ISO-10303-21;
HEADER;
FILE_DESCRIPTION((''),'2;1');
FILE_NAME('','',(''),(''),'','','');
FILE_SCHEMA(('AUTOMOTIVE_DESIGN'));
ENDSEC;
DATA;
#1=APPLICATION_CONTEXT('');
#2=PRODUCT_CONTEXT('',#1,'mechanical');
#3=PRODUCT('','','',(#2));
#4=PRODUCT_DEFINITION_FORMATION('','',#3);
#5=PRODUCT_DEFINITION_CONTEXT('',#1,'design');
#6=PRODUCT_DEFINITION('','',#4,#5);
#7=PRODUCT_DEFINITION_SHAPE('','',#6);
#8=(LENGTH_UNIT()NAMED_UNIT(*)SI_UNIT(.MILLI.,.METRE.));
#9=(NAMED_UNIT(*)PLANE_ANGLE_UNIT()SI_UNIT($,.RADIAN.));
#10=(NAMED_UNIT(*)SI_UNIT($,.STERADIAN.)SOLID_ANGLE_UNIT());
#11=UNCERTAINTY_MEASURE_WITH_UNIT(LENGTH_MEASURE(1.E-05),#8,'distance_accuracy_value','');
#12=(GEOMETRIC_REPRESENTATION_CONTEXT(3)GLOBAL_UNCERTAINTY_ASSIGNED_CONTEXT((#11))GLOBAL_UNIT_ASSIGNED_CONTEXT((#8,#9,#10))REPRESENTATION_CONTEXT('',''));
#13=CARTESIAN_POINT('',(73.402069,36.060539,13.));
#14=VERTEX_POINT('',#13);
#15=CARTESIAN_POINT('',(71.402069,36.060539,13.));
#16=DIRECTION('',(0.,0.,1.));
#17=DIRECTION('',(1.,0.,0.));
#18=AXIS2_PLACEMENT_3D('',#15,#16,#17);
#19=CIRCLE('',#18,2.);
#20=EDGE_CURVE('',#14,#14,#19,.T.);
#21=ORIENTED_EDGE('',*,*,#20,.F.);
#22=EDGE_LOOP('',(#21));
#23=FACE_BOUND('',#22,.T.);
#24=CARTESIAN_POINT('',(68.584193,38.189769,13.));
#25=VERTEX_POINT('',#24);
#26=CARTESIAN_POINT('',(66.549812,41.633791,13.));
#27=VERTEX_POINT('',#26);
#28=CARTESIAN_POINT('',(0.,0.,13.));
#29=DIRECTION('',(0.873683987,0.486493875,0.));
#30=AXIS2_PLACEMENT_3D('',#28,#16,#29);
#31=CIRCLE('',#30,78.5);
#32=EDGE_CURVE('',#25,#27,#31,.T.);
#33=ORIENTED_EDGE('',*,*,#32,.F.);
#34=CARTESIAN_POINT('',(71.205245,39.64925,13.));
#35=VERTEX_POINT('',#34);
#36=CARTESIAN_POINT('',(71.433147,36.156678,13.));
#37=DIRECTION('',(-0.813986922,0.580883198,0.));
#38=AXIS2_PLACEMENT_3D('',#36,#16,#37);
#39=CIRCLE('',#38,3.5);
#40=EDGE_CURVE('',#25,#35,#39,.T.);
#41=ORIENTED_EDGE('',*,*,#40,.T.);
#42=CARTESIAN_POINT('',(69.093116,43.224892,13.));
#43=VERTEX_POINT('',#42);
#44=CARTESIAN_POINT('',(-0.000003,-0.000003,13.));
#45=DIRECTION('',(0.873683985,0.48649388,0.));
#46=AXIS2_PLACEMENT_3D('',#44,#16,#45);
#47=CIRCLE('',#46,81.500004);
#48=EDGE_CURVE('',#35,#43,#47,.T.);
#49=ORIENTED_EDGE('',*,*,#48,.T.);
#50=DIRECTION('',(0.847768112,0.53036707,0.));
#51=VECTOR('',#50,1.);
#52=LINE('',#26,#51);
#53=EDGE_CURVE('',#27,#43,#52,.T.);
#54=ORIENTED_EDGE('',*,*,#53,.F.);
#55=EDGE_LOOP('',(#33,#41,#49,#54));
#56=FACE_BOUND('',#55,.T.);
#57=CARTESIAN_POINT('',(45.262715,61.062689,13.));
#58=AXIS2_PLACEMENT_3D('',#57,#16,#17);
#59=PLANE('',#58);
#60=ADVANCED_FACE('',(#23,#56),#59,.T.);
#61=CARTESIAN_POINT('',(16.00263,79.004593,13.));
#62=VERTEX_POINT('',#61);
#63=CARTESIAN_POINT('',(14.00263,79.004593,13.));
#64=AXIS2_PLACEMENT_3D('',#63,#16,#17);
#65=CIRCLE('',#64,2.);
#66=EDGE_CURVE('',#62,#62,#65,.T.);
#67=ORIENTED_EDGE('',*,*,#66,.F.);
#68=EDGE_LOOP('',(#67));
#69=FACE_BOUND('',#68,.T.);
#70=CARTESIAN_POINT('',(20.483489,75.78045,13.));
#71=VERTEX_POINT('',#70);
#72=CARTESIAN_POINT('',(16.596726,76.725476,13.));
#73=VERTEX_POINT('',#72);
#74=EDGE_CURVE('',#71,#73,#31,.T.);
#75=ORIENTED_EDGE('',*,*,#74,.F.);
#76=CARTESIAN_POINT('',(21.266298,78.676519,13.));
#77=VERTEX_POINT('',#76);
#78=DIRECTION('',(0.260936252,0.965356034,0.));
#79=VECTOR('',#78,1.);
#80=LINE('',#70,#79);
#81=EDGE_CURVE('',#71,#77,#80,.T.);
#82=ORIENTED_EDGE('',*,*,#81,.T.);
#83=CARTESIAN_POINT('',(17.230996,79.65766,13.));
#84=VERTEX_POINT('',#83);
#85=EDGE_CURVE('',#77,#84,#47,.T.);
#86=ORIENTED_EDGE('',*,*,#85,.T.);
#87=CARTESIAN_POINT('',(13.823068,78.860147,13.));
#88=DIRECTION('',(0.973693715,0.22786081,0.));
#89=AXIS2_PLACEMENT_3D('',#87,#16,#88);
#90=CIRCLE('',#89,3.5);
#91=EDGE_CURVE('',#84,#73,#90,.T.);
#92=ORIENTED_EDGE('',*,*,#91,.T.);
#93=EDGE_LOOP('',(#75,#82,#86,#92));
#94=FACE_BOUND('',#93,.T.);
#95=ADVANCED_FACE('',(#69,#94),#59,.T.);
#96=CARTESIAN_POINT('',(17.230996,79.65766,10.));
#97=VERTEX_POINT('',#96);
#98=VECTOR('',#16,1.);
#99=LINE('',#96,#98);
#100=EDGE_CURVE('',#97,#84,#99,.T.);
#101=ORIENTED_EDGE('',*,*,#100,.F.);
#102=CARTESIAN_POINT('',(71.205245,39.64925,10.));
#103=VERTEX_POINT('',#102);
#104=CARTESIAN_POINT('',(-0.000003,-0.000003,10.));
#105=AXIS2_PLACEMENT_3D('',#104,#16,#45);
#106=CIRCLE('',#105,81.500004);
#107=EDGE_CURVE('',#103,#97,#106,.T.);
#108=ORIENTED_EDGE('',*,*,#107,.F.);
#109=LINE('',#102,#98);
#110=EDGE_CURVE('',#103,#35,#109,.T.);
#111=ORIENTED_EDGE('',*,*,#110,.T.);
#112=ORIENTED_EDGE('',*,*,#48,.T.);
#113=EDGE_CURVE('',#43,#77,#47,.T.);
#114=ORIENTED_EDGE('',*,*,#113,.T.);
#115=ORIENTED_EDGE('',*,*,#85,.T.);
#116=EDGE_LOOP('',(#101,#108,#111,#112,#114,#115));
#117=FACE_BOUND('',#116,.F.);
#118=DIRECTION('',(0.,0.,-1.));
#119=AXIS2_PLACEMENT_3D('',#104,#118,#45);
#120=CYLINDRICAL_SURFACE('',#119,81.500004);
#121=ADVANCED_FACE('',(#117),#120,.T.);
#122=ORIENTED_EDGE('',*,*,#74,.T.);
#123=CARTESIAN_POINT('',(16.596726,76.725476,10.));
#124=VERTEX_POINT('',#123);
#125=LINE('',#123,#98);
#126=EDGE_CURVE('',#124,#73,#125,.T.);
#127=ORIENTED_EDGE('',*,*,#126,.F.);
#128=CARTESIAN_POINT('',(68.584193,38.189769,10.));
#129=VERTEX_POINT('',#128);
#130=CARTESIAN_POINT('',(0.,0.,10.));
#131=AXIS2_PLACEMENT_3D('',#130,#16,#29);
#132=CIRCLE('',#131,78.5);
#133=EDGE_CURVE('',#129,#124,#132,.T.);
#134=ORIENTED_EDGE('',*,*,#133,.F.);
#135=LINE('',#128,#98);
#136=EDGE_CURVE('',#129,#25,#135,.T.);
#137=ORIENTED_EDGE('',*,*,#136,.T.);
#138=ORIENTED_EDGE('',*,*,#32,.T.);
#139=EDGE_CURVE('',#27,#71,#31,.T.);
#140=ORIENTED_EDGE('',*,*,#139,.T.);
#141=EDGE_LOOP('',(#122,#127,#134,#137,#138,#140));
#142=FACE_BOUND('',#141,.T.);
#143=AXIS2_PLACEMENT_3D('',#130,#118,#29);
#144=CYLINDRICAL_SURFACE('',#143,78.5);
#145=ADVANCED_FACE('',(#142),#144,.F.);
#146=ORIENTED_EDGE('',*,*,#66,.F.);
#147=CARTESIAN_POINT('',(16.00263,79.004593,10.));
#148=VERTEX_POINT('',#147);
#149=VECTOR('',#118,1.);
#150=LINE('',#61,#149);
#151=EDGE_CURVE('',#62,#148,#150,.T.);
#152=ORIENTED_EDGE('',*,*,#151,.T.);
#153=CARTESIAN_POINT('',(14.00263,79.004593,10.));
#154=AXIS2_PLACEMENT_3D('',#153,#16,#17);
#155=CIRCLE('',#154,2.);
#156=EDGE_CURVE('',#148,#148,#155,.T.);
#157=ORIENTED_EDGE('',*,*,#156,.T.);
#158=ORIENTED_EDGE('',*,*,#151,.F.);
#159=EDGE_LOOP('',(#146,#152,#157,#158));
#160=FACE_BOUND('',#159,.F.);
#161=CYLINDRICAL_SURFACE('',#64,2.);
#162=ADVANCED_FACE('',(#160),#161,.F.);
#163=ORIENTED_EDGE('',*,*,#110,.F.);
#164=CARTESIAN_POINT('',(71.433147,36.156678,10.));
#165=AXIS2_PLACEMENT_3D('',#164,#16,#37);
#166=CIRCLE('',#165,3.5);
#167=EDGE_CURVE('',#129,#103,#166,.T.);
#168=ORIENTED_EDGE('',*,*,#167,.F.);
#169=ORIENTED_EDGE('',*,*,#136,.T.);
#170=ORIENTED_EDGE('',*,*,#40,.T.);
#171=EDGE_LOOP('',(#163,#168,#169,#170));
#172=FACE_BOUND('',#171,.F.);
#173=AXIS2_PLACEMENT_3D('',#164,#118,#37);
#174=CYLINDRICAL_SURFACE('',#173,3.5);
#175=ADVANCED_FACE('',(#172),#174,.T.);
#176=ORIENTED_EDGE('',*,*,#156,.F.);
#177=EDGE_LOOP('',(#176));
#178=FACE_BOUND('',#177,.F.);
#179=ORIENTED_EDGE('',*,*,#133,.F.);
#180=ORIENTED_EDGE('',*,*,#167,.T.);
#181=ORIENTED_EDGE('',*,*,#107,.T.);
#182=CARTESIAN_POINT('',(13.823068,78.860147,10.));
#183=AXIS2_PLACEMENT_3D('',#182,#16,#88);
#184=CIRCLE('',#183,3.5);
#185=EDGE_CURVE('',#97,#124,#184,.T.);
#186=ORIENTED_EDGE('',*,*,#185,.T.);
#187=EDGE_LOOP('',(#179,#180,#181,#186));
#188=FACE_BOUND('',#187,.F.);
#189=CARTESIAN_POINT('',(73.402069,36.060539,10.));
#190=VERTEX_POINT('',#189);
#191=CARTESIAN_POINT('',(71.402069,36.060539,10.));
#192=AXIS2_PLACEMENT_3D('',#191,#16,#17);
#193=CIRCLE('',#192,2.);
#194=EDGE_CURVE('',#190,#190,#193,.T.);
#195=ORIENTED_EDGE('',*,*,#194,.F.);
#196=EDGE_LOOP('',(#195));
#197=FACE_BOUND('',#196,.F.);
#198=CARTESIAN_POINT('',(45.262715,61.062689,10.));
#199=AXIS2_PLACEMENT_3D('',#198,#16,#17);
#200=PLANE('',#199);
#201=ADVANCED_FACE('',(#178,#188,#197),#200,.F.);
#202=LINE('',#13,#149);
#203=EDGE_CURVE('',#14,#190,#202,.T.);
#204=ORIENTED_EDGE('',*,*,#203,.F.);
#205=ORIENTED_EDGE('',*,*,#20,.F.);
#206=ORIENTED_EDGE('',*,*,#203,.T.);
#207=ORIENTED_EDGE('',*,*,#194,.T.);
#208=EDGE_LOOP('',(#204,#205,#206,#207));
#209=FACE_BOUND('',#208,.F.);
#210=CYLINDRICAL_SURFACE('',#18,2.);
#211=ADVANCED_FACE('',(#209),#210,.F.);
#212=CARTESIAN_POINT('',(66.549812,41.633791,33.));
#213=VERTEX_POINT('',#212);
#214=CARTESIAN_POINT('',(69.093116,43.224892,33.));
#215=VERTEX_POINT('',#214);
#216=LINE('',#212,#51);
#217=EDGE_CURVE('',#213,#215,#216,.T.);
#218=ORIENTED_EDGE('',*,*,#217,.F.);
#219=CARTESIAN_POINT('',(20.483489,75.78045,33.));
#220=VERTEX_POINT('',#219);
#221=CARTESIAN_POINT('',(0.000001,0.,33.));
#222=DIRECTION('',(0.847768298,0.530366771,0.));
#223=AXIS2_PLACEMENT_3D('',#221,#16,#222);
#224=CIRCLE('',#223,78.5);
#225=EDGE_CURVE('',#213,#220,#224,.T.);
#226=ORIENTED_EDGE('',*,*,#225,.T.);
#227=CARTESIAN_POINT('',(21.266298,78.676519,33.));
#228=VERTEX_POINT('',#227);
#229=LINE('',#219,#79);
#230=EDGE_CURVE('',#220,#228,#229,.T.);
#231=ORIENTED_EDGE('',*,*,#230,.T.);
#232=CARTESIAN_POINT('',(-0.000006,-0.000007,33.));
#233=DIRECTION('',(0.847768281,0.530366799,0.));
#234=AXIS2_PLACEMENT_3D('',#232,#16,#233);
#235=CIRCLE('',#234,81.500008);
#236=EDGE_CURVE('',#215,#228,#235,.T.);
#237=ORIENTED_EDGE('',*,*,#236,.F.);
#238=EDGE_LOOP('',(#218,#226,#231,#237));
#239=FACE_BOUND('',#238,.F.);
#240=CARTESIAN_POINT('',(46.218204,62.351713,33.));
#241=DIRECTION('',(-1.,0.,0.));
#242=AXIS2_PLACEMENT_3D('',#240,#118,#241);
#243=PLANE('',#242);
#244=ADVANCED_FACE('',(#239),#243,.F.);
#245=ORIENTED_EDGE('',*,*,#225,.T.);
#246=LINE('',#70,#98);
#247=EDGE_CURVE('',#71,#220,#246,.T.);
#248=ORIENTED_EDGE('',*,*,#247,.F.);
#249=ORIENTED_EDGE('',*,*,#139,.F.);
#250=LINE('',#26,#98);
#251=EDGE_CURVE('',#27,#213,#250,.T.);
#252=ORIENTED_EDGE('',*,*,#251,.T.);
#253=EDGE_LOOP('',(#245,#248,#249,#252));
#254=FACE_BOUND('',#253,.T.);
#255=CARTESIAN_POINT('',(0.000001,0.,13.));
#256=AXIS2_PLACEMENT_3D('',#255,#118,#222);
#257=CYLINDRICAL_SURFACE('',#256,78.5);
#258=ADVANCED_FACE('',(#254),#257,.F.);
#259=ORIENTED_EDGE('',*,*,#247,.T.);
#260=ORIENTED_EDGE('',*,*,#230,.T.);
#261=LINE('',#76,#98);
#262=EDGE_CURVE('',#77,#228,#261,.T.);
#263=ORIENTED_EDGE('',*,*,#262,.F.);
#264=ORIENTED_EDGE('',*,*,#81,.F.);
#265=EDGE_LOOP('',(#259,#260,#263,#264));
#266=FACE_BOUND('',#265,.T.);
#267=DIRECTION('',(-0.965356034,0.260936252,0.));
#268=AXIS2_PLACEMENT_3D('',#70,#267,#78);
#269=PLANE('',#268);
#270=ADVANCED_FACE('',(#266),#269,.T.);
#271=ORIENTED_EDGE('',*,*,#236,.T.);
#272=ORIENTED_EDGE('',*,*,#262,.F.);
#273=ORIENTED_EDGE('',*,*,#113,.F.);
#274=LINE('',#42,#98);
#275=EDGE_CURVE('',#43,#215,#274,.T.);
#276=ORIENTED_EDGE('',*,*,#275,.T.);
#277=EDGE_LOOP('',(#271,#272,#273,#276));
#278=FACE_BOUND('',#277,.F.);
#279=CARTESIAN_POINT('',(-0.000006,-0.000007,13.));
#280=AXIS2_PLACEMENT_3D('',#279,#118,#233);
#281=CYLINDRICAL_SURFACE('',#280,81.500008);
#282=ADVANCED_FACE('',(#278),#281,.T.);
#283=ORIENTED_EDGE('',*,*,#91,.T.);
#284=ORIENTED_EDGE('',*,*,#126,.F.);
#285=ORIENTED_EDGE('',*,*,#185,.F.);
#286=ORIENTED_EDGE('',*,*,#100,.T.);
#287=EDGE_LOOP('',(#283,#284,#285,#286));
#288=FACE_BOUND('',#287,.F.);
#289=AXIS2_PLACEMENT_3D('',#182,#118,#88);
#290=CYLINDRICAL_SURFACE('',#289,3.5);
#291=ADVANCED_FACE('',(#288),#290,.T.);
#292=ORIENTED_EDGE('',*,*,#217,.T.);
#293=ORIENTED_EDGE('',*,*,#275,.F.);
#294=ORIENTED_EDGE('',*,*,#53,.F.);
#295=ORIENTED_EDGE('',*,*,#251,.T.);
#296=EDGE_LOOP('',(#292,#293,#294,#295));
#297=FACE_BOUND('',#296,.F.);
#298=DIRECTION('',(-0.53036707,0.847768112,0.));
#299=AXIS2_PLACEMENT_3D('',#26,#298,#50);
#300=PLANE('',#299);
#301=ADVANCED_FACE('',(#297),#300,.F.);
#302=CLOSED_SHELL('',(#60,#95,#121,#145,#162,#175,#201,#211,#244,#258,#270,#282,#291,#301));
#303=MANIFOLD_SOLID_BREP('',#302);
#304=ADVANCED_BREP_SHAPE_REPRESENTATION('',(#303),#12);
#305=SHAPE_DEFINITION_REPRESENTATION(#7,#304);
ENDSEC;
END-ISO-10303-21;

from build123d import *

# Parameters (mm, degrees)
PAD113_DEPTH    = 3
PAD114_DEPTH    = 20
SKETCH279_R     = 2
POCKET134_DEPTH = 3.001


with BuildPart() as part:
    # Sketch277 → Pad113 (new body)
    with BuildSketch(Plane.XY):
        with BuildLine():
            ThreePointArc((71.205245, 39.64925), (48.53257, 65.473961), (17.230996, 79.65766))
            ThreePointArc((17.230996, 79.65766), (10.402187, 79.600128), (16.596726, 76.725476))
            ThreePointArc((68.584193, 38.189769), (46.746095, 63.063877), (16.596726, 76.725476))
            ThreePointArc((68.584193, 38.189769), (73.135876, 33.098784), (71.205245, 39.64925))
        make_face()
    extrude(amount=PAD113_DEPTH)

    # Sketch278 (on Face6 of Pad113) → Pad114 (join)
    with BuildSketch(Plane.XY.offset(3)):
        with BuildLine():
            ThreePointArc((66.549812, 41.633791), (46.746095, 63.063877), (20.483489, 75.78045))
            Line((20.483489, 75.78045), (21.266298, 78.676519))
            ThreePointArc((69.093116, 43.224892), (48.53257, 65.473961), (21.266298, 78.676519))
            Line((66.549812, 41.633791), (69.093116, 43.224892))
        make_face()
    extrude(amount=PAD114_DEPTH)

    # Sketch279 (on Face5 of Pad114) → Pocket134 (cut, through all)
    with BuildSketch(Plane.XY.offset(3)):
        with Locations((71.402069, 36.060539)):
            Circle(SKETCH279_R)
        with Locations((14.00263, 79.004593)):
            Circle(SKETCH279_R)
    extrude(amount=-POCKET134_DEPTH, mode=Mode.SUBTRACT)


with BuildPart() as part_1:
    # Body099 placement: moved
    add(part.part.moved(Location((0, 0, 10))))


solid = part_1.part
